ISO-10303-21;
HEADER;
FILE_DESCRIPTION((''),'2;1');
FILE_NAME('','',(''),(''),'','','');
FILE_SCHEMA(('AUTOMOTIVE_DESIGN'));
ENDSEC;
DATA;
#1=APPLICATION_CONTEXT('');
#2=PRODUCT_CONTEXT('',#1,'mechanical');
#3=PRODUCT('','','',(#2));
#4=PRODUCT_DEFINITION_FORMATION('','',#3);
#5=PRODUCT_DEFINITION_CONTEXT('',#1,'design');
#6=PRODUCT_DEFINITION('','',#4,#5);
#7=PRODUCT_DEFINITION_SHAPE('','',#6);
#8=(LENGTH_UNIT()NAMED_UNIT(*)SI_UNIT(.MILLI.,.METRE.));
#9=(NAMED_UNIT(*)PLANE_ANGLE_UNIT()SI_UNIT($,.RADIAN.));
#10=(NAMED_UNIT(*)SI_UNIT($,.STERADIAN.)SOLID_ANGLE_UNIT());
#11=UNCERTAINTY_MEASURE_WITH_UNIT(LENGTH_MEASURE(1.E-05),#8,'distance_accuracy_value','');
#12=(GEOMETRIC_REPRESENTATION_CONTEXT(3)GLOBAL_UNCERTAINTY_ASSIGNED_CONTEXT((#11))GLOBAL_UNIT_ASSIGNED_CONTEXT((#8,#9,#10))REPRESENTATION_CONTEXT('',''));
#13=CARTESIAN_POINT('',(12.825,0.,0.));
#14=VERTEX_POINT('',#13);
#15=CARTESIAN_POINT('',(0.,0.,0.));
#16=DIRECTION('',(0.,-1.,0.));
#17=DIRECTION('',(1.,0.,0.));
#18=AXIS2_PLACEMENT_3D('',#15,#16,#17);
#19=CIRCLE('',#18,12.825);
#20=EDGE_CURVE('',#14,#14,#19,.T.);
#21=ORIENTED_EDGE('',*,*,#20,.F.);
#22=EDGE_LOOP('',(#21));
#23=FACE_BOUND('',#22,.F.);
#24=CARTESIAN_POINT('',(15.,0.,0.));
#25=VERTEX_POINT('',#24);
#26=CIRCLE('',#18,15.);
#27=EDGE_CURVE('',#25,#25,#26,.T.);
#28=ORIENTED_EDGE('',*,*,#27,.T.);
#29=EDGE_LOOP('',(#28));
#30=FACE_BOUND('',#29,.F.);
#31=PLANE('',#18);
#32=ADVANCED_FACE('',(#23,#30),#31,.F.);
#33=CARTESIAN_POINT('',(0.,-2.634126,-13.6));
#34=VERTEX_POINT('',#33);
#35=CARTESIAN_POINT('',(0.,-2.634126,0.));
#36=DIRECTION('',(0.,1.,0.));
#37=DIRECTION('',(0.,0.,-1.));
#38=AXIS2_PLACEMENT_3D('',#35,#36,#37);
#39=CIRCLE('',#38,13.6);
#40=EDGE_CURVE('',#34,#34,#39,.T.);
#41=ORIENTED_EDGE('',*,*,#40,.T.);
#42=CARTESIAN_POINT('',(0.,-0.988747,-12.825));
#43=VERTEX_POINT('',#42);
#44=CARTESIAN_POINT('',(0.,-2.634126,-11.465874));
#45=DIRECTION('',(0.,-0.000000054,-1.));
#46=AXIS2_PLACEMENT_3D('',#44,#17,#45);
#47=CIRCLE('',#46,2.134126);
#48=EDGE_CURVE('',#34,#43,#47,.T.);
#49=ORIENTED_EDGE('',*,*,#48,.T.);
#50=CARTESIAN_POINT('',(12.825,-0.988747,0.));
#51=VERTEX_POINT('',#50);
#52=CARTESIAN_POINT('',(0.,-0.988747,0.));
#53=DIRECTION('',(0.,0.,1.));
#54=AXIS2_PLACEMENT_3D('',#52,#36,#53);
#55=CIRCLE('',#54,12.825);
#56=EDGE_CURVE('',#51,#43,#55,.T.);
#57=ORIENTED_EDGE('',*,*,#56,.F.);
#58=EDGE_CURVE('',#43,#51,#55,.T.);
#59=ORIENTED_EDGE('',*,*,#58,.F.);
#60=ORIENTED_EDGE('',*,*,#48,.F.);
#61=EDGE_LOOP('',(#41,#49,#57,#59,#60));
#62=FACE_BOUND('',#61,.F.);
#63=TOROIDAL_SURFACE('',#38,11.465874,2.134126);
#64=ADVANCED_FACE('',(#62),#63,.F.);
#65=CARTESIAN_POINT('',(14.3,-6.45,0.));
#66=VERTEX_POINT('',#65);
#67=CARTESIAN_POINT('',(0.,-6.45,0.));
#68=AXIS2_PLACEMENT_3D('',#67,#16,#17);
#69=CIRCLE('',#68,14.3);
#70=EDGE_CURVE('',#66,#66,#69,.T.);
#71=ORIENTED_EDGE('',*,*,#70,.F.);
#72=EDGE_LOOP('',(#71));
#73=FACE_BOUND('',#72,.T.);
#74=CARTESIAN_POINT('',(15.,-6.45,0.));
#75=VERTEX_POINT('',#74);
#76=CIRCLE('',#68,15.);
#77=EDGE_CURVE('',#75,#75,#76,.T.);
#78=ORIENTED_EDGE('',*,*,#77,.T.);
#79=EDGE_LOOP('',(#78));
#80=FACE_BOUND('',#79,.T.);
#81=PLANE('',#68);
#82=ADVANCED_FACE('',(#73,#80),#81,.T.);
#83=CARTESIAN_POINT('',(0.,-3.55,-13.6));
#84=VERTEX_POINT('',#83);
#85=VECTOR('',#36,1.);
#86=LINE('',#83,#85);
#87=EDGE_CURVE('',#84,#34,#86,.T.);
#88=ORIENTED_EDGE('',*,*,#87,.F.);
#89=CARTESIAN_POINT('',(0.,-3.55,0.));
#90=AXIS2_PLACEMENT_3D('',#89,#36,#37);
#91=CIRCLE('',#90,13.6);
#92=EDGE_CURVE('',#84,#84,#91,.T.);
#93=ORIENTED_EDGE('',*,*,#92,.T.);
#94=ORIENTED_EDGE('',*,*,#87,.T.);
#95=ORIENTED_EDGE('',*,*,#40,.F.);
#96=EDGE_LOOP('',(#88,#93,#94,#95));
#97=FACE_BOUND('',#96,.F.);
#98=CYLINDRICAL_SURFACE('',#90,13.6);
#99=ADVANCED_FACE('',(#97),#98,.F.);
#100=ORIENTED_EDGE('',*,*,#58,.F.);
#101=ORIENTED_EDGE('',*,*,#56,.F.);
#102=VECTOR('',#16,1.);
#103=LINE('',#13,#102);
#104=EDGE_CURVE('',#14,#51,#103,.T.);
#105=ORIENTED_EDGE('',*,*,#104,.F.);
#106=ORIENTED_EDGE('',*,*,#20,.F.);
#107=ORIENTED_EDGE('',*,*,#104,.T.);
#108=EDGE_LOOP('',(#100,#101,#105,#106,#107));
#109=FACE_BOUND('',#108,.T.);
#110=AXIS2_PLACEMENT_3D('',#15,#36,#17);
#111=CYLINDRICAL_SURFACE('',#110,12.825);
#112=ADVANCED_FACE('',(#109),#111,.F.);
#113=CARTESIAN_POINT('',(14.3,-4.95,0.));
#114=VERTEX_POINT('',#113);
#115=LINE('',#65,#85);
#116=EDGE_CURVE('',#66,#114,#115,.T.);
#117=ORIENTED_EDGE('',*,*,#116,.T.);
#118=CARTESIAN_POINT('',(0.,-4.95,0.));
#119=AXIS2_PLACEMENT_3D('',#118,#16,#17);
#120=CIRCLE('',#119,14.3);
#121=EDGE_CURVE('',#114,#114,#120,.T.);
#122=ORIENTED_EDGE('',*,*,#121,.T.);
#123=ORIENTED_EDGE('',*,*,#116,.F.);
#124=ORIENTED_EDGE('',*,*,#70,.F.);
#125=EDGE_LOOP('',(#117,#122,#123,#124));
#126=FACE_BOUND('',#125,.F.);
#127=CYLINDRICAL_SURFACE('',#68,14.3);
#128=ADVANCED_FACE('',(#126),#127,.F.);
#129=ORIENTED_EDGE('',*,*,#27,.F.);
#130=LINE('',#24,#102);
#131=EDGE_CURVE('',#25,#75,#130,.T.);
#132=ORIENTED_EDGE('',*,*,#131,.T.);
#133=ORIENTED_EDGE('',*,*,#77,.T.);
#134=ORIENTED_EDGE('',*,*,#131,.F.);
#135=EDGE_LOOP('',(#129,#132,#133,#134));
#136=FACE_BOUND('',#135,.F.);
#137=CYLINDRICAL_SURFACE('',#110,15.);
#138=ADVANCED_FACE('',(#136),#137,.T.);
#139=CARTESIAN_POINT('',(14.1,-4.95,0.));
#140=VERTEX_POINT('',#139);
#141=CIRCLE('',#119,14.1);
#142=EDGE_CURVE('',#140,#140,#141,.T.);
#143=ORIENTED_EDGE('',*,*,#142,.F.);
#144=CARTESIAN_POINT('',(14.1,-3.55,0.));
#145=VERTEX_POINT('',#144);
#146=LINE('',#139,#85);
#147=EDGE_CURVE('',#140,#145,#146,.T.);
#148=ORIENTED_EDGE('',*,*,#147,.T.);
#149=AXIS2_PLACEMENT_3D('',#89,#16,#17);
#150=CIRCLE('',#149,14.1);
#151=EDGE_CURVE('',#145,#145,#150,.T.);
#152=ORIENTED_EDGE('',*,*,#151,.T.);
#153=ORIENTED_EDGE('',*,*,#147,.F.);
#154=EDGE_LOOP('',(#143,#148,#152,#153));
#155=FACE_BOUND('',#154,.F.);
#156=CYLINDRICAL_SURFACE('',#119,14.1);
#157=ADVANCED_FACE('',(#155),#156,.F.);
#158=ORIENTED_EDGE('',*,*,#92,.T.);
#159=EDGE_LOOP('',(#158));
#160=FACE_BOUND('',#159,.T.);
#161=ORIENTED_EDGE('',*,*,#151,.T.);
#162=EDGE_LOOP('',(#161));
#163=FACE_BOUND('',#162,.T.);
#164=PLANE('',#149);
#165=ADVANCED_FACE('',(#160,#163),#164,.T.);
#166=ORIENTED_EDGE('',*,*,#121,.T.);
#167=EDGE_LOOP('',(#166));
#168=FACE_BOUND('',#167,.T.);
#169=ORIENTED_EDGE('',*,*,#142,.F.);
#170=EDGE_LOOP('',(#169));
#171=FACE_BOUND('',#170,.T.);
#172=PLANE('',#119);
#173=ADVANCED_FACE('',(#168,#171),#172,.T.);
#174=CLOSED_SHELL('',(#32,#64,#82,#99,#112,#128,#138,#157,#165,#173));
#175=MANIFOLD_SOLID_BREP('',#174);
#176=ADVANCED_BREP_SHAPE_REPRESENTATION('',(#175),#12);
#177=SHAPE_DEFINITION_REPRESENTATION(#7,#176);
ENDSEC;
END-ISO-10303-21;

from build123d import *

# Parameters (mm, degrees)
F0_R     = 15
F0_R_2   = 12.825
F1_DEPTH = 6.45
F2_R     = 14.3
F3_DEPTH = 1.5
F4_R     = 14.1
F5_DEPTH = 1.4


with BuildPart() as f1:
    # F0 (on Front) → F1 (new body)
    with BuildSketch(Plane.XZ):
        Circle(F0_R)
        Circle(F0_R_2, mode=Mode.SUBTRACT)
    extrude(amount=F1_DEPTH)

    # F2 (on face) → F3 (cut)
    with BuildSketch(Plane.XZ.offset(6.45)):
        Circle(F2_R)
    extrude(amount=-F3_DEPTH, mode=Mode.SUBTRACT)

    # F4 (on face) → F5 (cut)
    with BuildSketch(Plane.XZ.offset(4.95)):
        Circle(F4_R)
    extrude(amount=-F5_DEPTH, mode=Mode.SUBTRACT)

    # F6 (on Right) → F7 (revolve, cut)
    with BuildSketch(Plane.YZ):
        with BuildLine():
            ThreePointArc((-2.634126, -13.6), (-1.125071, -12.974929), (-0.5, -11.465874))
            Line((-0.5, -11.465874), (-0.5, 0))
            Line((-0.5, 0), (-3.55, 0))
            Line((-3.55, 0), (-3.55, -13.6))
            Line((-3.55, -13.6), (-2.634126, -13.6))
        make_face()
    revolve(axis=Axis((0, -2.025, 0), (0, 1, 0)), mode=Mode.SUBTRACT)


solid = f1.part
